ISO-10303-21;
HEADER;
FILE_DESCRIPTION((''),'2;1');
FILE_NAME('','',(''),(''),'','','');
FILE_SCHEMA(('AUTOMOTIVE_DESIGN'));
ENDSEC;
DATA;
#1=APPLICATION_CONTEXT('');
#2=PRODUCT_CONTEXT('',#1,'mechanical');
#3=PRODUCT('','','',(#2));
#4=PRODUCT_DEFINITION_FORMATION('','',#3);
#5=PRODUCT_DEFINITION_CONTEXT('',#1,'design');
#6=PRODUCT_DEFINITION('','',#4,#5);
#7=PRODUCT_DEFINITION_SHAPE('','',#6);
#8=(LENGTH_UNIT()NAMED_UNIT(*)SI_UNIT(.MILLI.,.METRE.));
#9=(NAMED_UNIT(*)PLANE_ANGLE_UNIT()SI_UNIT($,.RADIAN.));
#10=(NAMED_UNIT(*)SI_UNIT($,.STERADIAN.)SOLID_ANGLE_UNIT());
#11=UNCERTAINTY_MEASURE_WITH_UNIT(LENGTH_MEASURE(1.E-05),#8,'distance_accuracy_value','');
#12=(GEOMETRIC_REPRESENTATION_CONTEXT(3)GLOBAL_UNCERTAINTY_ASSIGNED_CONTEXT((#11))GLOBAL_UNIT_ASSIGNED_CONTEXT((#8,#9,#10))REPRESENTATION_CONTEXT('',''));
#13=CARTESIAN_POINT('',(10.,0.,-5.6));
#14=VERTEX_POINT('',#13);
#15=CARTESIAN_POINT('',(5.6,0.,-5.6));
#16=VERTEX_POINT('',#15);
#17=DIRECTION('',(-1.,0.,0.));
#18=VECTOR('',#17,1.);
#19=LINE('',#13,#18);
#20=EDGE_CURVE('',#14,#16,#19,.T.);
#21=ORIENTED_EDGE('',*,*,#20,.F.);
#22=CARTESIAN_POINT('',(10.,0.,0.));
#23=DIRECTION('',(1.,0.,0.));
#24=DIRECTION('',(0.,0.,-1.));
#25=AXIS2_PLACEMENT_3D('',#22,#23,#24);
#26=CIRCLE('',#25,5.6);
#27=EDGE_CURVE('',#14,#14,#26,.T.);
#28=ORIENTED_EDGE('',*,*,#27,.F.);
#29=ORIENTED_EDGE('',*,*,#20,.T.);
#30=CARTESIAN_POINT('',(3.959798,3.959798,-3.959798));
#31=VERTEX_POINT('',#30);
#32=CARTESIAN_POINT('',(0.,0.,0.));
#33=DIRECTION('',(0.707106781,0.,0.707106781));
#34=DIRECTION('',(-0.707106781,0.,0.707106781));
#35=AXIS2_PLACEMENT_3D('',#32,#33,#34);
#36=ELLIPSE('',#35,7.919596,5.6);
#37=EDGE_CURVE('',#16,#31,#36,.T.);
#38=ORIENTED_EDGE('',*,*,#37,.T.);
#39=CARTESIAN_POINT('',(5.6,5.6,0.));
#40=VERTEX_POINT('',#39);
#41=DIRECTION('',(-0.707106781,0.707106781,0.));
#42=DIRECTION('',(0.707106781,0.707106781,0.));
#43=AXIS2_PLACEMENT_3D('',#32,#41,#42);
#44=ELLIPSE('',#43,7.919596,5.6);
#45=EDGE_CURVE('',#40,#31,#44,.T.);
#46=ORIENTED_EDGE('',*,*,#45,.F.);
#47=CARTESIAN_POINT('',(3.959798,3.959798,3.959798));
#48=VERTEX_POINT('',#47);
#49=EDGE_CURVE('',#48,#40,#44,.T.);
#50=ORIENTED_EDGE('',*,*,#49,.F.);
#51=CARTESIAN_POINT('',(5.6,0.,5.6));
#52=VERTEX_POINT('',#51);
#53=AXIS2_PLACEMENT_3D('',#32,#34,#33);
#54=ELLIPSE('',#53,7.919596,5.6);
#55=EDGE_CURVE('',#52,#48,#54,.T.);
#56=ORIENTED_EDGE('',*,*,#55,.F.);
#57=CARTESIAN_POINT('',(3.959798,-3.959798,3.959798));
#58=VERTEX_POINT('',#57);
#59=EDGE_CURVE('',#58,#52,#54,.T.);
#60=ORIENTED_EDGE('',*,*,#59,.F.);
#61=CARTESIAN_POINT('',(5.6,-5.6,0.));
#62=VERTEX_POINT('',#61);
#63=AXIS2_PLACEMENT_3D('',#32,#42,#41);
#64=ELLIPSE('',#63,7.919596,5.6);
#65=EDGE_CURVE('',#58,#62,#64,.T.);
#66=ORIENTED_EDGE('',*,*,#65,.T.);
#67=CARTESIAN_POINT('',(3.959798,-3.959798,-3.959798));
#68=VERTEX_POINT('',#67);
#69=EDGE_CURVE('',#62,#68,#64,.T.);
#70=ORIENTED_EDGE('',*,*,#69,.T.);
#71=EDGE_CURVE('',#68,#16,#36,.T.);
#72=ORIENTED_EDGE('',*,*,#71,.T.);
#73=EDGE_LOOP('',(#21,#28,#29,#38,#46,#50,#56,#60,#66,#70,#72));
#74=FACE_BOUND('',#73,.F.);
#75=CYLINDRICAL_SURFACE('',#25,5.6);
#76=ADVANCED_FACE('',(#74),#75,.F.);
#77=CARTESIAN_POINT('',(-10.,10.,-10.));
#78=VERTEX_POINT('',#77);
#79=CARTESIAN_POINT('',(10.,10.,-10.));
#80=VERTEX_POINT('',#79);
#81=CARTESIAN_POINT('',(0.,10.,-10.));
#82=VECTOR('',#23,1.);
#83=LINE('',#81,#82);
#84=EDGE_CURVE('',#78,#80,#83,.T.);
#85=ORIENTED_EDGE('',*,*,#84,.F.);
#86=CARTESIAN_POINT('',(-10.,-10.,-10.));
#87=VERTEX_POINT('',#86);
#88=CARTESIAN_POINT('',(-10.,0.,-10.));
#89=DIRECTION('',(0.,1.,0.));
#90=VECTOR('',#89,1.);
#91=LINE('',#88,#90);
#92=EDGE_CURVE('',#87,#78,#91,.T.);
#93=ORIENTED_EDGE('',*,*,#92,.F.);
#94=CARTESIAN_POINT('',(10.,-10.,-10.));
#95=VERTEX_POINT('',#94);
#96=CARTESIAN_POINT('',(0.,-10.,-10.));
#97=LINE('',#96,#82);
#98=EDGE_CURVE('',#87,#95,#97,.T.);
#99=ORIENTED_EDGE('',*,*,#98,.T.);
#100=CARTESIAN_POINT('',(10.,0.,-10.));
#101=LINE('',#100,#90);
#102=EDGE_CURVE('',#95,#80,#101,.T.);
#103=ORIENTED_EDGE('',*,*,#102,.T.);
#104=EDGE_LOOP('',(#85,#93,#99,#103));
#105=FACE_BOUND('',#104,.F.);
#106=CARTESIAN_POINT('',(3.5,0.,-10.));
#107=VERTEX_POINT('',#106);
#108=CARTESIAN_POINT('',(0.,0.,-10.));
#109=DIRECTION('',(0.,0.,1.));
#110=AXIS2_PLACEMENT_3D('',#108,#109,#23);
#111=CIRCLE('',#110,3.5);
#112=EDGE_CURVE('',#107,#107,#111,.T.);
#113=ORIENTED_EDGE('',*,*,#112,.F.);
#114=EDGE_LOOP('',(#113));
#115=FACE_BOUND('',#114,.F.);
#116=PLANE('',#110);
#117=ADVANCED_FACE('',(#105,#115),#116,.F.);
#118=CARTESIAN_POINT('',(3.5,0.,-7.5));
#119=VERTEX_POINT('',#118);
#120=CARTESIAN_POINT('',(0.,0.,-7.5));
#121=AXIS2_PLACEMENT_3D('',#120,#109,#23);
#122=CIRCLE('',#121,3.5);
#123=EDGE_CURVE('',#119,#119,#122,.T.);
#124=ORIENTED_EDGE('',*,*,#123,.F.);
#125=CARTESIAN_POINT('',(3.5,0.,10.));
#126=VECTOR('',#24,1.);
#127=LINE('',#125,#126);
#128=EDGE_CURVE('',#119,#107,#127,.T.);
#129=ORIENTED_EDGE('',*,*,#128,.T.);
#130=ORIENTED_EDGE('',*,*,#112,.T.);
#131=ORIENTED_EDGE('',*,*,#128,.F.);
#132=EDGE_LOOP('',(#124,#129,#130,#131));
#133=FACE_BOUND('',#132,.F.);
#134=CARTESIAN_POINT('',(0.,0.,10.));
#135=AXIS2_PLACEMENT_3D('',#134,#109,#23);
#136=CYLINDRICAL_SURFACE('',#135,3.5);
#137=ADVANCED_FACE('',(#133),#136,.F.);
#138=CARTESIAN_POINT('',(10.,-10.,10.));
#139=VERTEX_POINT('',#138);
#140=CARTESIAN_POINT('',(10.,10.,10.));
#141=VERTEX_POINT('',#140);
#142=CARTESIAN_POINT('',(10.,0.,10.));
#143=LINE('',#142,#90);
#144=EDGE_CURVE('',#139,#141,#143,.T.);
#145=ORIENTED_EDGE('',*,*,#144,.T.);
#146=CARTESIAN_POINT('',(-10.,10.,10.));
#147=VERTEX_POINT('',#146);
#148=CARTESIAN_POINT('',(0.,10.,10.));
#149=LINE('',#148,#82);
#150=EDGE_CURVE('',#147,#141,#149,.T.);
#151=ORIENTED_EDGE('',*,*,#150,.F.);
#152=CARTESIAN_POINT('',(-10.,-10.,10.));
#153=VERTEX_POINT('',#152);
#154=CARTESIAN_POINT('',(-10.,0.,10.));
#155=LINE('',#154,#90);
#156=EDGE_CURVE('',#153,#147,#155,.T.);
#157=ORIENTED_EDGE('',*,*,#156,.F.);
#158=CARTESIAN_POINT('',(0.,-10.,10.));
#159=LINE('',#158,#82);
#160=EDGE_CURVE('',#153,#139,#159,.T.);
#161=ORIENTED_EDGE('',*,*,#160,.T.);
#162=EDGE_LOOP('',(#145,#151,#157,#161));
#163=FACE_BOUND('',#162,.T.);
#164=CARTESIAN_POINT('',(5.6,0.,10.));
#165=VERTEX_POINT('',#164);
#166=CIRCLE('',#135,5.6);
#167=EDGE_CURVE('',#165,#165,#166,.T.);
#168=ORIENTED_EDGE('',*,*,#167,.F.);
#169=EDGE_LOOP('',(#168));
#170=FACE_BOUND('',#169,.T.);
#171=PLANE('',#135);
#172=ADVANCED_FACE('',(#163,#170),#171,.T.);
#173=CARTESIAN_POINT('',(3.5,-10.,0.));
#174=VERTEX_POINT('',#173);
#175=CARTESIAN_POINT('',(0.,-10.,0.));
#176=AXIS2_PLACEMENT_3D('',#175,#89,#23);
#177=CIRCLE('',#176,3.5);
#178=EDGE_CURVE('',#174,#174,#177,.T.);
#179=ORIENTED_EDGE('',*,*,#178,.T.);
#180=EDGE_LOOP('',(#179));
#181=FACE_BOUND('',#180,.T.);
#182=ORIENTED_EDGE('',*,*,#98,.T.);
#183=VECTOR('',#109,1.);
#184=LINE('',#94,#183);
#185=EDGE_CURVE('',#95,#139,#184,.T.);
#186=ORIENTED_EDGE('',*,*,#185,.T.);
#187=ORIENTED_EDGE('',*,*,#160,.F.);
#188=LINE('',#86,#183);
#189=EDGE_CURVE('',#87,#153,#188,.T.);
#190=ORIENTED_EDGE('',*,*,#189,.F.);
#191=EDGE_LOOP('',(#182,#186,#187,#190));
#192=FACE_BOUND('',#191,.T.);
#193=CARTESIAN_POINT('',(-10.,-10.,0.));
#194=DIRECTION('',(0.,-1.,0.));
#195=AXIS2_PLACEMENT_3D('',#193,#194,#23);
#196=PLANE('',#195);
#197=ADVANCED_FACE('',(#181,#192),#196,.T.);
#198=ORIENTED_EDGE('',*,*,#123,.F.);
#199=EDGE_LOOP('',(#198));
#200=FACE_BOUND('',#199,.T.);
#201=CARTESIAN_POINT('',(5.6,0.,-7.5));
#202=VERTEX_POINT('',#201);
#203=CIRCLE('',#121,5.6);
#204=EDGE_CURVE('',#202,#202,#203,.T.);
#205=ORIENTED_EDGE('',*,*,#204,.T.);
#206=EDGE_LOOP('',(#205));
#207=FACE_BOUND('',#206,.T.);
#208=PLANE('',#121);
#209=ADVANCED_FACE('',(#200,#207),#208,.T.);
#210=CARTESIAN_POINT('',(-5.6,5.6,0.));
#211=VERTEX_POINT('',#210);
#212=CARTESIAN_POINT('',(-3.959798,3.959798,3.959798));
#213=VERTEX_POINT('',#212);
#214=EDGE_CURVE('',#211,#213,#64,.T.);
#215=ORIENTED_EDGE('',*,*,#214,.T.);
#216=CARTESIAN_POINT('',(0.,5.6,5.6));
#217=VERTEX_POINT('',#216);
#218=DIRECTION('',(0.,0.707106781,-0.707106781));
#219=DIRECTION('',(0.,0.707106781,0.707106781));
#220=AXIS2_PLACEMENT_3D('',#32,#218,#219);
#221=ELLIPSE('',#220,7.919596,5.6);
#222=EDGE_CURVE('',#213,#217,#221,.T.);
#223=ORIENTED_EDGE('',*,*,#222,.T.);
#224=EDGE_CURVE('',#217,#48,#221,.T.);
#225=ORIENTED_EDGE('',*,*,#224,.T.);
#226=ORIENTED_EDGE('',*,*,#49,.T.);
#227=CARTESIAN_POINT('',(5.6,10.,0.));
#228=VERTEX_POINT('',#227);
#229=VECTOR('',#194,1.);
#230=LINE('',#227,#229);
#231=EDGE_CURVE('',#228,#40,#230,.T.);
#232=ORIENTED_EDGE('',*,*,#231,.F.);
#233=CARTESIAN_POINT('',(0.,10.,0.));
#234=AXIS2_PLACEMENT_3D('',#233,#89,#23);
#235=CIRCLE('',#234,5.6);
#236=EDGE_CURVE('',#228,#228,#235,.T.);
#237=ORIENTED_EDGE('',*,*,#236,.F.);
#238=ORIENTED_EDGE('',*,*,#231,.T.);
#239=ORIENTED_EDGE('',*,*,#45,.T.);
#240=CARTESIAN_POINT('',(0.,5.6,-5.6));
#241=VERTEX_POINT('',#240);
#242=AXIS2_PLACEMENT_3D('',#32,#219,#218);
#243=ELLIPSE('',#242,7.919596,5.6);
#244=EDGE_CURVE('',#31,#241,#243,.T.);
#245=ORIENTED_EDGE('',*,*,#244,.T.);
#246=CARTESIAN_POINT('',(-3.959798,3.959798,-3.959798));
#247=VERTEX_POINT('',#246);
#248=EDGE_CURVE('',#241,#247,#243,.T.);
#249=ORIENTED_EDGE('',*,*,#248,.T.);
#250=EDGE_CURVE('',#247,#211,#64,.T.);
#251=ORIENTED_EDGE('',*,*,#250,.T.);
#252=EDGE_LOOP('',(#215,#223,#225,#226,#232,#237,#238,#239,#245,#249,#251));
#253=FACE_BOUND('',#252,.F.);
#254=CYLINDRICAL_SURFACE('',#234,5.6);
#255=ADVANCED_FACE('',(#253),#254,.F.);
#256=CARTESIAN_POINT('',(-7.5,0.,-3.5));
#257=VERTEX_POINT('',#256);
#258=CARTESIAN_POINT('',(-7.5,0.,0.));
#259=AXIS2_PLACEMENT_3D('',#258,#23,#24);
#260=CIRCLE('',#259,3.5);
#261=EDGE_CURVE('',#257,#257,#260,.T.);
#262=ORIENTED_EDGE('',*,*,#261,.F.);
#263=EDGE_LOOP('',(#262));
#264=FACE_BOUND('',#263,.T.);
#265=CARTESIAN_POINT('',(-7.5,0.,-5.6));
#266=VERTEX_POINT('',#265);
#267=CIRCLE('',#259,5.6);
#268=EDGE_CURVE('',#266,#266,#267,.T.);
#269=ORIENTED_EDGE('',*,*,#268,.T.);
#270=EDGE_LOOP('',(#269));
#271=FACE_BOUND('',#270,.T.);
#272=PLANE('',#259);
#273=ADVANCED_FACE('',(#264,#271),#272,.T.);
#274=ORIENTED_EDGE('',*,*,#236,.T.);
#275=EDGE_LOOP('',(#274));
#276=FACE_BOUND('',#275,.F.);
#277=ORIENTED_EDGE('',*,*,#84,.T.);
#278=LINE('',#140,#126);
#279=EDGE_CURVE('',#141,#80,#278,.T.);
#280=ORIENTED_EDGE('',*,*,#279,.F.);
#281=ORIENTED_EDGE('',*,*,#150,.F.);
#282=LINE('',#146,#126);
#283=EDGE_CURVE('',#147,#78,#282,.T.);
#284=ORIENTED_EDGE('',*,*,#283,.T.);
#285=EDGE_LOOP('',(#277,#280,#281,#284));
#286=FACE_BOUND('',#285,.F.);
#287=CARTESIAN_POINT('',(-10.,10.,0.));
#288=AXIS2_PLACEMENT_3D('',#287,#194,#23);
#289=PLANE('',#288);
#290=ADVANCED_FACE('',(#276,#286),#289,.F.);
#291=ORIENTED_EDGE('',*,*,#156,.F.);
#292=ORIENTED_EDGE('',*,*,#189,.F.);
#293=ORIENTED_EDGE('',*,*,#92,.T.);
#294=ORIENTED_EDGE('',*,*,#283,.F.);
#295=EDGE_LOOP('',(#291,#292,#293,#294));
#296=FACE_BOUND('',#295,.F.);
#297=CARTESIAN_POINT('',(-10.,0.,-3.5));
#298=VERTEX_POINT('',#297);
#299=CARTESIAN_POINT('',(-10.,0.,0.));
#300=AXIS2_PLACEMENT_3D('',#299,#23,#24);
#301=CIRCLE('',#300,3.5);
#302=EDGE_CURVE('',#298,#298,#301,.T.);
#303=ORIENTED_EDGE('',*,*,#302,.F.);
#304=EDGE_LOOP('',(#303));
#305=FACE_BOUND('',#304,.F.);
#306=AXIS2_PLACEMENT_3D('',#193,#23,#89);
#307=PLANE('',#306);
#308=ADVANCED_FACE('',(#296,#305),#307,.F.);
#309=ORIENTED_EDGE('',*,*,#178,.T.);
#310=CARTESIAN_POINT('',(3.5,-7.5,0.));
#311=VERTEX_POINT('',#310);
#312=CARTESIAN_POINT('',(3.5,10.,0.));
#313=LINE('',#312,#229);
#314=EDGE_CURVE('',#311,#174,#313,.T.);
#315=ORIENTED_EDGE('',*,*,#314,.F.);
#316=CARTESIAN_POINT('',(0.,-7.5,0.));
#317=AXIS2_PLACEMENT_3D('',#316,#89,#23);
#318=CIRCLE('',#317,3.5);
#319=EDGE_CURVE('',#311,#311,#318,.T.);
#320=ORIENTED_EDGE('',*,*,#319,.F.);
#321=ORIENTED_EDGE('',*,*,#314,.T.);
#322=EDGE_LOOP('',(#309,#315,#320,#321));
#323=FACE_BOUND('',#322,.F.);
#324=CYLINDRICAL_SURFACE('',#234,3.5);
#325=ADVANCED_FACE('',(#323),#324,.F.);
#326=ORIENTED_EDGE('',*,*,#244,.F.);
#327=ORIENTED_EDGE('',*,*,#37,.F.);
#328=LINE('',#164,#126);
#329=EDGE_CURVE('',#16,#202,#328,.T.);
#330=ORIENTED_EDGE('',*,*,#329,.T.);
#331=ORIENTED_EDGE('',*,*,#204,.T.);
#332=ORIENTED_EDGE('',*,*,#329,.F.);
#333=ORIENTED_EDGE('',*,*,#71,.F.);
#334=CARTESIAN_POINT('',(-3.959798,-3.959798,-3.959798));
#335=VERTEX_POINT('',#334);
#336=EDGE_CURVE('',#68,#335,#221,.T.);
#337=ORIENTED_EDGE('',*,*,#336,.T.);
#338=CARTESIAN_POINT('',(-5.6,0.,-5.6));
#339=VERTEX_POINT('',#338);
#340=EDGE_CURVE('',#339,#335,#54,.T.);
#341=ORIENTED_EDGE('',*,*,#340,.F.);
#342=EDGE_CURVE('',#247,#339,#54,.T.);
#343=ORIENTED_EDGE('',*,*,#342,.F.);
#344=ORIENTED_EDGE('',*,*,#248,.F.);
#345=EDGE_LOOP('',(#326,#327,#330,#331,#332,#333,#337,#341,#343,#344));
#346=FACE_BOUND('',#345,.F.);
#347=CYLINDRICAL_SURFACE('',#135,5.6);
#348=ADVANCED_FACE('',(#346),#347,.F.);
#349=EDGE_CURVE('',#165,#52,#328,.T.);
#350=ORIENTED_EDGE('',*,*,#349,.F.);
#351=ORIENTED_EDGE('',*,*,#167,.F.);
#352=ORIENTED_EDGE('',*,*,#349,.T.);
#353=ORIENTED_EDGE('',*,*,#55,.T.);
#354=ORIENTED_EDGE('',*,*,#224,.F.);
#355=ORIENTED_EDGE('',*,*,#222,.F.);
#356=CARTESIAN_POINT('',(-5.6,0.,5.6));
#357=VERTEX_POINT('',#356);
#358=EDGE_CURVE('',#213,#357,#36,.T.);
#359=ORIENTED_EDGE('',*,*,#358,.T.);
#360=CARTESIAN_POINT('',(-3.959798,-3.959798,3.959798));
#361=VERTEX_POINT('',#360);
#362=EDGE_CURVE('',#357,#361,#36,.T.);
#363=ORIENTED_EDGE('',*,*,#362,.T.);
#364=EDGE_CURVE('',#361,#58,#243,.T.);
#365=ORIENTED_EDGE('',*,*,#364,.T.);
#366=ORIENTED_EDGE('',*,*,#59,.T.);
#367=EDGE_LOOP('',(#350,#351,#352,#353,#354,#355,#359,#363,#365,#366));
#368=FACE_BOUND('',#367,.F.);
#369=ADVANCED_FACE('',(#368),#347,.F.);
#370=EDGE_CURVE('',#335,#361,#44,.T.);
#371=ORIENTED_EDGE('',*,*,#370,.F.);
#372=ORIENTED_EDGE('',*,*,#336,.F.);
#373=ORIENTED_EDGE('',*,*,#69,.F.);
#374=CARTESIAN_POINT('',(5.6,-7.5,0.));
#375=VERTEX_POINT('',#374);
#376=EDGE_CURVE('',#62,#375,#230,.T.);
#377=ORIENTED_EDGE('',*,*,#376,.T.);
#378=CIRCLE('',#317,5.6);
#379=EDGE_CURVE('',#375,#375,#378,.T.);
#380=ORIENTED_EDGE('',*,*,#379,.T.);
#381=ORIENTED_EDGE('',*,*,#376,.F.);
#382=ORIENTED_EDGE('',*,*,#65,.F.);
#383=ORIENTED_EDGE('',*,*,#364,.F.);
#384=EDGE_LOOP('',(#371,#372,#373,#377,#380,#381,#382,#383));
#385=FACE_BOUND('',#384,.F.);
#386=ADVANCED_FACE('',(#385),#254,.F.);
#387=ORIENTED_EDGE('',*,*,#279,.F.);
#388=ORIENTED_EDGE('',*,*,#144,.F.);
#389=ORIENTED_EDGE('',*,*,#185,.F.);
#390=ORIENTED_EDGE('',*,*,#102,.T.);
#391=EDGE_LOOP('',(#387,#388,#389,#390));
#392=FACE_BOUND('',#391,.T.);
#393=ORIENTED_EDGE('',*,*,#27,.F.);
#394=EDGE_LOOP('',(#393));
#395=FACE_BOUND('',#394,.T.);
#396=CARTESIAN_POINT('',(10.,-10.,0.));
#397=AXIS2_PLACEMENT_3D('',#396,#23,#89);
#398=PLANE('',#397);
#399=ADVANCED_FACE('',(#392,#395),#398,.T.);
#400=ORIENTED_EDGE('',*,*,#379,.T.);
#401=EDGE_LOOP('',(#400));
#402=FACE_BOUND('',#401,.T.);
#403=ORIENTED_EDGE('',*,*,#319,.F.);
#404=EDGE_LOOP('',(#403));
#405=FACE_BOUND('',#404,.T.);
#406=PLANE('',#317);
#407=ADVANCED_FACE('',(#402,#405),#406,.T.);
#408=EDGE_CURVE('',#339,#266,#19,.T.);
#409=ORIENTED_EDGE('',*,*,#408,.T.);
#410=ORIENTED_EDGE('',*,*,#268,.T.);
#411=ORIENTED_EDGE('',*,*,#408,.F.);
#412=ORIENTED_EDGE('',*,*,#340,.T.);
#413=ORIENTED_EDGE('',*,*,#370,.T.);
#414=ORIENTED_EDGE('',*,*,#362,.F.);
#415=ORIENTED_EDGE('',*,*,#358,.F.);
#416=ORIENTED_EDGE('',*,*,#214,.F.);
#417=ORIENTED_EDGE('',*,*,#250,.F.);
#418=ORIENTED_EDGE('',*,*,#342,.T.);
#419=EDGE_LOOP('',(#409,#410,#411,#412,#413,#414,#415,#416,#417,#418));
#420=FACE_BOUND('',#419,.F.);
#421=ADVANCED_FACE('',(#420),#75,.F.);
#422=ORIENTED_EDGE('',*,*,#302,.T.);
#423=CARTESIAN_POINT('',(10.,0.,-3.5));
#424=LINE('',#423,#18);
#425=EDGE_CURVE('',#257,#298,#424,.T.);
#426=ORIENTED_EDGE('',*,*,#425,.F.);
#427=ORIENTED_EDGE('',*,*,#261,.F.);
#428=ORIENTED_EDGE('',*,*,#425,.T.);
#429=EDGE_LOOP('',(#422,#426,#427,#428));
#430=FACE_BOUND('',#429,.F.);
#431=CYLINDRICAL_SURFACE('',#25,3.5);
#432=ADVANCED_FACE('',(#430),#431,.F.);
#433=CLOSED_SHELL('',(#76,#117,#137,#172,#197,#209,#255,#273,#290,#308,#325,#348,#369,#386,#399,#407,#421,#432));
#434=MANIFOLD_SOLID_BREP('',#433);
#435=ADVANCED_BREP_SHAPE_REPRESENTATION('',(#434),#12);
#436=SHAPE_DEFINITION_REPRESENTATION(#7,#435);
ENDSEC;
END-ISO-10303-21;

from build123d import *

# Parameters (mm, degrees)
SKETCH1_W           = 20
SKETCH1_H           = 20
BOSS_EXTRUDE1_DEPTH = 10
SKETCH2_R           = 3.5
CUT_EXTRUDE1_DEPTH  = 21
SKETCH3_R           = 3.5
CUT_EXTRUDE2_DEPTH  = 21
SKETCH4_R           = 3.5
CUT_EXTRUDE3_DEPTH  = 21
SKETCH5_R           = 5.6
CUT_EXTRUDE4_DEPTH  = 17.5
SKETCH6_R           = 5.6
CUT_EXTRUDE5_DEPTH  = 17.5
SKETCH7_R           = 5.6
CUT_EXTRUDE6_DEPTH  = 17.5


with BuildPart() as part:
    # Sketch1 → Boss-Extrude1 (new body, symmetric)
    with BuildSketch(Plane.XY):
        Rectangle(SKETCH1_W, SKETCH1_H)
    extrude(amount=BOSS_EXTRUDE1_DEPTH, both=True)

    # Sketch2 → Cut-Extrude1 (cut, through all)
    with BuildSketch(Plane(origin=(0, 10, 0), x_dir=(1, 0, 0), z_dir=(0, 1, 0))):
        Circle(SKETCH2_R)
    extrude(amount=-CUT_EXTRUDE1_DEPTH, mode=Mode.SUBTRACT)

    # Sketch3 → Cut-Extrude2 (cut, through all)
    with BuildSketch(Plane.XY.offset(10)):
        Circle(SKETCH3_R)
    extrude(amount=-CUT_EXTRUDE2_DEPTH, mode=Mode.SUBTRACT)

    # Sketch4 → Cut-Extrude3 (cut, through all)
    with BuildSketch(Plane(origin=(10, 0, 0), x_dir=(0, 0, -1), z_dir=(1, 0, 0))):
        Circle(SKETCH4_R)
    extrude(amount=-CUT_EXTRUDE3_DEPTH, mode=Mode.SUBTRACT)

    # Sketch5 → Cut-Extrude4 (cut)
    with BuildSketch(Plane(origin=(0, 10, 0), x_dir=(1, 0, 0), z_dir=(0, 1, 0))):
        Circle(SKETCH5_R)
    extrude(amount=-CUT_EXTRUDE4_DEPTH, mode=Mode.SUBTRACT)

    # Sketch6 → Cut-Extrude5 (cut)
    with BuildSketch(Plane.XY.offset(10)):
        Circle(SKETCH6_R)
    extrude(amount=-CUT_EXTRUDE5_DEPTH, mode=Mode.SUBTRACT)

    # Sketch7 → Cut-Extrude6 (cut)
    with BuildSketch(Plane(origin=(10, 0, 0), x_dir=(0, 0, -1), z_dir=(1, 0, 0))):
        Circle(SKETCH7_R)
    extrude(amount=-CUT_EXTRUDE6_DEPTH, mode=Mode.SUBTRACT)


solid = part.part
